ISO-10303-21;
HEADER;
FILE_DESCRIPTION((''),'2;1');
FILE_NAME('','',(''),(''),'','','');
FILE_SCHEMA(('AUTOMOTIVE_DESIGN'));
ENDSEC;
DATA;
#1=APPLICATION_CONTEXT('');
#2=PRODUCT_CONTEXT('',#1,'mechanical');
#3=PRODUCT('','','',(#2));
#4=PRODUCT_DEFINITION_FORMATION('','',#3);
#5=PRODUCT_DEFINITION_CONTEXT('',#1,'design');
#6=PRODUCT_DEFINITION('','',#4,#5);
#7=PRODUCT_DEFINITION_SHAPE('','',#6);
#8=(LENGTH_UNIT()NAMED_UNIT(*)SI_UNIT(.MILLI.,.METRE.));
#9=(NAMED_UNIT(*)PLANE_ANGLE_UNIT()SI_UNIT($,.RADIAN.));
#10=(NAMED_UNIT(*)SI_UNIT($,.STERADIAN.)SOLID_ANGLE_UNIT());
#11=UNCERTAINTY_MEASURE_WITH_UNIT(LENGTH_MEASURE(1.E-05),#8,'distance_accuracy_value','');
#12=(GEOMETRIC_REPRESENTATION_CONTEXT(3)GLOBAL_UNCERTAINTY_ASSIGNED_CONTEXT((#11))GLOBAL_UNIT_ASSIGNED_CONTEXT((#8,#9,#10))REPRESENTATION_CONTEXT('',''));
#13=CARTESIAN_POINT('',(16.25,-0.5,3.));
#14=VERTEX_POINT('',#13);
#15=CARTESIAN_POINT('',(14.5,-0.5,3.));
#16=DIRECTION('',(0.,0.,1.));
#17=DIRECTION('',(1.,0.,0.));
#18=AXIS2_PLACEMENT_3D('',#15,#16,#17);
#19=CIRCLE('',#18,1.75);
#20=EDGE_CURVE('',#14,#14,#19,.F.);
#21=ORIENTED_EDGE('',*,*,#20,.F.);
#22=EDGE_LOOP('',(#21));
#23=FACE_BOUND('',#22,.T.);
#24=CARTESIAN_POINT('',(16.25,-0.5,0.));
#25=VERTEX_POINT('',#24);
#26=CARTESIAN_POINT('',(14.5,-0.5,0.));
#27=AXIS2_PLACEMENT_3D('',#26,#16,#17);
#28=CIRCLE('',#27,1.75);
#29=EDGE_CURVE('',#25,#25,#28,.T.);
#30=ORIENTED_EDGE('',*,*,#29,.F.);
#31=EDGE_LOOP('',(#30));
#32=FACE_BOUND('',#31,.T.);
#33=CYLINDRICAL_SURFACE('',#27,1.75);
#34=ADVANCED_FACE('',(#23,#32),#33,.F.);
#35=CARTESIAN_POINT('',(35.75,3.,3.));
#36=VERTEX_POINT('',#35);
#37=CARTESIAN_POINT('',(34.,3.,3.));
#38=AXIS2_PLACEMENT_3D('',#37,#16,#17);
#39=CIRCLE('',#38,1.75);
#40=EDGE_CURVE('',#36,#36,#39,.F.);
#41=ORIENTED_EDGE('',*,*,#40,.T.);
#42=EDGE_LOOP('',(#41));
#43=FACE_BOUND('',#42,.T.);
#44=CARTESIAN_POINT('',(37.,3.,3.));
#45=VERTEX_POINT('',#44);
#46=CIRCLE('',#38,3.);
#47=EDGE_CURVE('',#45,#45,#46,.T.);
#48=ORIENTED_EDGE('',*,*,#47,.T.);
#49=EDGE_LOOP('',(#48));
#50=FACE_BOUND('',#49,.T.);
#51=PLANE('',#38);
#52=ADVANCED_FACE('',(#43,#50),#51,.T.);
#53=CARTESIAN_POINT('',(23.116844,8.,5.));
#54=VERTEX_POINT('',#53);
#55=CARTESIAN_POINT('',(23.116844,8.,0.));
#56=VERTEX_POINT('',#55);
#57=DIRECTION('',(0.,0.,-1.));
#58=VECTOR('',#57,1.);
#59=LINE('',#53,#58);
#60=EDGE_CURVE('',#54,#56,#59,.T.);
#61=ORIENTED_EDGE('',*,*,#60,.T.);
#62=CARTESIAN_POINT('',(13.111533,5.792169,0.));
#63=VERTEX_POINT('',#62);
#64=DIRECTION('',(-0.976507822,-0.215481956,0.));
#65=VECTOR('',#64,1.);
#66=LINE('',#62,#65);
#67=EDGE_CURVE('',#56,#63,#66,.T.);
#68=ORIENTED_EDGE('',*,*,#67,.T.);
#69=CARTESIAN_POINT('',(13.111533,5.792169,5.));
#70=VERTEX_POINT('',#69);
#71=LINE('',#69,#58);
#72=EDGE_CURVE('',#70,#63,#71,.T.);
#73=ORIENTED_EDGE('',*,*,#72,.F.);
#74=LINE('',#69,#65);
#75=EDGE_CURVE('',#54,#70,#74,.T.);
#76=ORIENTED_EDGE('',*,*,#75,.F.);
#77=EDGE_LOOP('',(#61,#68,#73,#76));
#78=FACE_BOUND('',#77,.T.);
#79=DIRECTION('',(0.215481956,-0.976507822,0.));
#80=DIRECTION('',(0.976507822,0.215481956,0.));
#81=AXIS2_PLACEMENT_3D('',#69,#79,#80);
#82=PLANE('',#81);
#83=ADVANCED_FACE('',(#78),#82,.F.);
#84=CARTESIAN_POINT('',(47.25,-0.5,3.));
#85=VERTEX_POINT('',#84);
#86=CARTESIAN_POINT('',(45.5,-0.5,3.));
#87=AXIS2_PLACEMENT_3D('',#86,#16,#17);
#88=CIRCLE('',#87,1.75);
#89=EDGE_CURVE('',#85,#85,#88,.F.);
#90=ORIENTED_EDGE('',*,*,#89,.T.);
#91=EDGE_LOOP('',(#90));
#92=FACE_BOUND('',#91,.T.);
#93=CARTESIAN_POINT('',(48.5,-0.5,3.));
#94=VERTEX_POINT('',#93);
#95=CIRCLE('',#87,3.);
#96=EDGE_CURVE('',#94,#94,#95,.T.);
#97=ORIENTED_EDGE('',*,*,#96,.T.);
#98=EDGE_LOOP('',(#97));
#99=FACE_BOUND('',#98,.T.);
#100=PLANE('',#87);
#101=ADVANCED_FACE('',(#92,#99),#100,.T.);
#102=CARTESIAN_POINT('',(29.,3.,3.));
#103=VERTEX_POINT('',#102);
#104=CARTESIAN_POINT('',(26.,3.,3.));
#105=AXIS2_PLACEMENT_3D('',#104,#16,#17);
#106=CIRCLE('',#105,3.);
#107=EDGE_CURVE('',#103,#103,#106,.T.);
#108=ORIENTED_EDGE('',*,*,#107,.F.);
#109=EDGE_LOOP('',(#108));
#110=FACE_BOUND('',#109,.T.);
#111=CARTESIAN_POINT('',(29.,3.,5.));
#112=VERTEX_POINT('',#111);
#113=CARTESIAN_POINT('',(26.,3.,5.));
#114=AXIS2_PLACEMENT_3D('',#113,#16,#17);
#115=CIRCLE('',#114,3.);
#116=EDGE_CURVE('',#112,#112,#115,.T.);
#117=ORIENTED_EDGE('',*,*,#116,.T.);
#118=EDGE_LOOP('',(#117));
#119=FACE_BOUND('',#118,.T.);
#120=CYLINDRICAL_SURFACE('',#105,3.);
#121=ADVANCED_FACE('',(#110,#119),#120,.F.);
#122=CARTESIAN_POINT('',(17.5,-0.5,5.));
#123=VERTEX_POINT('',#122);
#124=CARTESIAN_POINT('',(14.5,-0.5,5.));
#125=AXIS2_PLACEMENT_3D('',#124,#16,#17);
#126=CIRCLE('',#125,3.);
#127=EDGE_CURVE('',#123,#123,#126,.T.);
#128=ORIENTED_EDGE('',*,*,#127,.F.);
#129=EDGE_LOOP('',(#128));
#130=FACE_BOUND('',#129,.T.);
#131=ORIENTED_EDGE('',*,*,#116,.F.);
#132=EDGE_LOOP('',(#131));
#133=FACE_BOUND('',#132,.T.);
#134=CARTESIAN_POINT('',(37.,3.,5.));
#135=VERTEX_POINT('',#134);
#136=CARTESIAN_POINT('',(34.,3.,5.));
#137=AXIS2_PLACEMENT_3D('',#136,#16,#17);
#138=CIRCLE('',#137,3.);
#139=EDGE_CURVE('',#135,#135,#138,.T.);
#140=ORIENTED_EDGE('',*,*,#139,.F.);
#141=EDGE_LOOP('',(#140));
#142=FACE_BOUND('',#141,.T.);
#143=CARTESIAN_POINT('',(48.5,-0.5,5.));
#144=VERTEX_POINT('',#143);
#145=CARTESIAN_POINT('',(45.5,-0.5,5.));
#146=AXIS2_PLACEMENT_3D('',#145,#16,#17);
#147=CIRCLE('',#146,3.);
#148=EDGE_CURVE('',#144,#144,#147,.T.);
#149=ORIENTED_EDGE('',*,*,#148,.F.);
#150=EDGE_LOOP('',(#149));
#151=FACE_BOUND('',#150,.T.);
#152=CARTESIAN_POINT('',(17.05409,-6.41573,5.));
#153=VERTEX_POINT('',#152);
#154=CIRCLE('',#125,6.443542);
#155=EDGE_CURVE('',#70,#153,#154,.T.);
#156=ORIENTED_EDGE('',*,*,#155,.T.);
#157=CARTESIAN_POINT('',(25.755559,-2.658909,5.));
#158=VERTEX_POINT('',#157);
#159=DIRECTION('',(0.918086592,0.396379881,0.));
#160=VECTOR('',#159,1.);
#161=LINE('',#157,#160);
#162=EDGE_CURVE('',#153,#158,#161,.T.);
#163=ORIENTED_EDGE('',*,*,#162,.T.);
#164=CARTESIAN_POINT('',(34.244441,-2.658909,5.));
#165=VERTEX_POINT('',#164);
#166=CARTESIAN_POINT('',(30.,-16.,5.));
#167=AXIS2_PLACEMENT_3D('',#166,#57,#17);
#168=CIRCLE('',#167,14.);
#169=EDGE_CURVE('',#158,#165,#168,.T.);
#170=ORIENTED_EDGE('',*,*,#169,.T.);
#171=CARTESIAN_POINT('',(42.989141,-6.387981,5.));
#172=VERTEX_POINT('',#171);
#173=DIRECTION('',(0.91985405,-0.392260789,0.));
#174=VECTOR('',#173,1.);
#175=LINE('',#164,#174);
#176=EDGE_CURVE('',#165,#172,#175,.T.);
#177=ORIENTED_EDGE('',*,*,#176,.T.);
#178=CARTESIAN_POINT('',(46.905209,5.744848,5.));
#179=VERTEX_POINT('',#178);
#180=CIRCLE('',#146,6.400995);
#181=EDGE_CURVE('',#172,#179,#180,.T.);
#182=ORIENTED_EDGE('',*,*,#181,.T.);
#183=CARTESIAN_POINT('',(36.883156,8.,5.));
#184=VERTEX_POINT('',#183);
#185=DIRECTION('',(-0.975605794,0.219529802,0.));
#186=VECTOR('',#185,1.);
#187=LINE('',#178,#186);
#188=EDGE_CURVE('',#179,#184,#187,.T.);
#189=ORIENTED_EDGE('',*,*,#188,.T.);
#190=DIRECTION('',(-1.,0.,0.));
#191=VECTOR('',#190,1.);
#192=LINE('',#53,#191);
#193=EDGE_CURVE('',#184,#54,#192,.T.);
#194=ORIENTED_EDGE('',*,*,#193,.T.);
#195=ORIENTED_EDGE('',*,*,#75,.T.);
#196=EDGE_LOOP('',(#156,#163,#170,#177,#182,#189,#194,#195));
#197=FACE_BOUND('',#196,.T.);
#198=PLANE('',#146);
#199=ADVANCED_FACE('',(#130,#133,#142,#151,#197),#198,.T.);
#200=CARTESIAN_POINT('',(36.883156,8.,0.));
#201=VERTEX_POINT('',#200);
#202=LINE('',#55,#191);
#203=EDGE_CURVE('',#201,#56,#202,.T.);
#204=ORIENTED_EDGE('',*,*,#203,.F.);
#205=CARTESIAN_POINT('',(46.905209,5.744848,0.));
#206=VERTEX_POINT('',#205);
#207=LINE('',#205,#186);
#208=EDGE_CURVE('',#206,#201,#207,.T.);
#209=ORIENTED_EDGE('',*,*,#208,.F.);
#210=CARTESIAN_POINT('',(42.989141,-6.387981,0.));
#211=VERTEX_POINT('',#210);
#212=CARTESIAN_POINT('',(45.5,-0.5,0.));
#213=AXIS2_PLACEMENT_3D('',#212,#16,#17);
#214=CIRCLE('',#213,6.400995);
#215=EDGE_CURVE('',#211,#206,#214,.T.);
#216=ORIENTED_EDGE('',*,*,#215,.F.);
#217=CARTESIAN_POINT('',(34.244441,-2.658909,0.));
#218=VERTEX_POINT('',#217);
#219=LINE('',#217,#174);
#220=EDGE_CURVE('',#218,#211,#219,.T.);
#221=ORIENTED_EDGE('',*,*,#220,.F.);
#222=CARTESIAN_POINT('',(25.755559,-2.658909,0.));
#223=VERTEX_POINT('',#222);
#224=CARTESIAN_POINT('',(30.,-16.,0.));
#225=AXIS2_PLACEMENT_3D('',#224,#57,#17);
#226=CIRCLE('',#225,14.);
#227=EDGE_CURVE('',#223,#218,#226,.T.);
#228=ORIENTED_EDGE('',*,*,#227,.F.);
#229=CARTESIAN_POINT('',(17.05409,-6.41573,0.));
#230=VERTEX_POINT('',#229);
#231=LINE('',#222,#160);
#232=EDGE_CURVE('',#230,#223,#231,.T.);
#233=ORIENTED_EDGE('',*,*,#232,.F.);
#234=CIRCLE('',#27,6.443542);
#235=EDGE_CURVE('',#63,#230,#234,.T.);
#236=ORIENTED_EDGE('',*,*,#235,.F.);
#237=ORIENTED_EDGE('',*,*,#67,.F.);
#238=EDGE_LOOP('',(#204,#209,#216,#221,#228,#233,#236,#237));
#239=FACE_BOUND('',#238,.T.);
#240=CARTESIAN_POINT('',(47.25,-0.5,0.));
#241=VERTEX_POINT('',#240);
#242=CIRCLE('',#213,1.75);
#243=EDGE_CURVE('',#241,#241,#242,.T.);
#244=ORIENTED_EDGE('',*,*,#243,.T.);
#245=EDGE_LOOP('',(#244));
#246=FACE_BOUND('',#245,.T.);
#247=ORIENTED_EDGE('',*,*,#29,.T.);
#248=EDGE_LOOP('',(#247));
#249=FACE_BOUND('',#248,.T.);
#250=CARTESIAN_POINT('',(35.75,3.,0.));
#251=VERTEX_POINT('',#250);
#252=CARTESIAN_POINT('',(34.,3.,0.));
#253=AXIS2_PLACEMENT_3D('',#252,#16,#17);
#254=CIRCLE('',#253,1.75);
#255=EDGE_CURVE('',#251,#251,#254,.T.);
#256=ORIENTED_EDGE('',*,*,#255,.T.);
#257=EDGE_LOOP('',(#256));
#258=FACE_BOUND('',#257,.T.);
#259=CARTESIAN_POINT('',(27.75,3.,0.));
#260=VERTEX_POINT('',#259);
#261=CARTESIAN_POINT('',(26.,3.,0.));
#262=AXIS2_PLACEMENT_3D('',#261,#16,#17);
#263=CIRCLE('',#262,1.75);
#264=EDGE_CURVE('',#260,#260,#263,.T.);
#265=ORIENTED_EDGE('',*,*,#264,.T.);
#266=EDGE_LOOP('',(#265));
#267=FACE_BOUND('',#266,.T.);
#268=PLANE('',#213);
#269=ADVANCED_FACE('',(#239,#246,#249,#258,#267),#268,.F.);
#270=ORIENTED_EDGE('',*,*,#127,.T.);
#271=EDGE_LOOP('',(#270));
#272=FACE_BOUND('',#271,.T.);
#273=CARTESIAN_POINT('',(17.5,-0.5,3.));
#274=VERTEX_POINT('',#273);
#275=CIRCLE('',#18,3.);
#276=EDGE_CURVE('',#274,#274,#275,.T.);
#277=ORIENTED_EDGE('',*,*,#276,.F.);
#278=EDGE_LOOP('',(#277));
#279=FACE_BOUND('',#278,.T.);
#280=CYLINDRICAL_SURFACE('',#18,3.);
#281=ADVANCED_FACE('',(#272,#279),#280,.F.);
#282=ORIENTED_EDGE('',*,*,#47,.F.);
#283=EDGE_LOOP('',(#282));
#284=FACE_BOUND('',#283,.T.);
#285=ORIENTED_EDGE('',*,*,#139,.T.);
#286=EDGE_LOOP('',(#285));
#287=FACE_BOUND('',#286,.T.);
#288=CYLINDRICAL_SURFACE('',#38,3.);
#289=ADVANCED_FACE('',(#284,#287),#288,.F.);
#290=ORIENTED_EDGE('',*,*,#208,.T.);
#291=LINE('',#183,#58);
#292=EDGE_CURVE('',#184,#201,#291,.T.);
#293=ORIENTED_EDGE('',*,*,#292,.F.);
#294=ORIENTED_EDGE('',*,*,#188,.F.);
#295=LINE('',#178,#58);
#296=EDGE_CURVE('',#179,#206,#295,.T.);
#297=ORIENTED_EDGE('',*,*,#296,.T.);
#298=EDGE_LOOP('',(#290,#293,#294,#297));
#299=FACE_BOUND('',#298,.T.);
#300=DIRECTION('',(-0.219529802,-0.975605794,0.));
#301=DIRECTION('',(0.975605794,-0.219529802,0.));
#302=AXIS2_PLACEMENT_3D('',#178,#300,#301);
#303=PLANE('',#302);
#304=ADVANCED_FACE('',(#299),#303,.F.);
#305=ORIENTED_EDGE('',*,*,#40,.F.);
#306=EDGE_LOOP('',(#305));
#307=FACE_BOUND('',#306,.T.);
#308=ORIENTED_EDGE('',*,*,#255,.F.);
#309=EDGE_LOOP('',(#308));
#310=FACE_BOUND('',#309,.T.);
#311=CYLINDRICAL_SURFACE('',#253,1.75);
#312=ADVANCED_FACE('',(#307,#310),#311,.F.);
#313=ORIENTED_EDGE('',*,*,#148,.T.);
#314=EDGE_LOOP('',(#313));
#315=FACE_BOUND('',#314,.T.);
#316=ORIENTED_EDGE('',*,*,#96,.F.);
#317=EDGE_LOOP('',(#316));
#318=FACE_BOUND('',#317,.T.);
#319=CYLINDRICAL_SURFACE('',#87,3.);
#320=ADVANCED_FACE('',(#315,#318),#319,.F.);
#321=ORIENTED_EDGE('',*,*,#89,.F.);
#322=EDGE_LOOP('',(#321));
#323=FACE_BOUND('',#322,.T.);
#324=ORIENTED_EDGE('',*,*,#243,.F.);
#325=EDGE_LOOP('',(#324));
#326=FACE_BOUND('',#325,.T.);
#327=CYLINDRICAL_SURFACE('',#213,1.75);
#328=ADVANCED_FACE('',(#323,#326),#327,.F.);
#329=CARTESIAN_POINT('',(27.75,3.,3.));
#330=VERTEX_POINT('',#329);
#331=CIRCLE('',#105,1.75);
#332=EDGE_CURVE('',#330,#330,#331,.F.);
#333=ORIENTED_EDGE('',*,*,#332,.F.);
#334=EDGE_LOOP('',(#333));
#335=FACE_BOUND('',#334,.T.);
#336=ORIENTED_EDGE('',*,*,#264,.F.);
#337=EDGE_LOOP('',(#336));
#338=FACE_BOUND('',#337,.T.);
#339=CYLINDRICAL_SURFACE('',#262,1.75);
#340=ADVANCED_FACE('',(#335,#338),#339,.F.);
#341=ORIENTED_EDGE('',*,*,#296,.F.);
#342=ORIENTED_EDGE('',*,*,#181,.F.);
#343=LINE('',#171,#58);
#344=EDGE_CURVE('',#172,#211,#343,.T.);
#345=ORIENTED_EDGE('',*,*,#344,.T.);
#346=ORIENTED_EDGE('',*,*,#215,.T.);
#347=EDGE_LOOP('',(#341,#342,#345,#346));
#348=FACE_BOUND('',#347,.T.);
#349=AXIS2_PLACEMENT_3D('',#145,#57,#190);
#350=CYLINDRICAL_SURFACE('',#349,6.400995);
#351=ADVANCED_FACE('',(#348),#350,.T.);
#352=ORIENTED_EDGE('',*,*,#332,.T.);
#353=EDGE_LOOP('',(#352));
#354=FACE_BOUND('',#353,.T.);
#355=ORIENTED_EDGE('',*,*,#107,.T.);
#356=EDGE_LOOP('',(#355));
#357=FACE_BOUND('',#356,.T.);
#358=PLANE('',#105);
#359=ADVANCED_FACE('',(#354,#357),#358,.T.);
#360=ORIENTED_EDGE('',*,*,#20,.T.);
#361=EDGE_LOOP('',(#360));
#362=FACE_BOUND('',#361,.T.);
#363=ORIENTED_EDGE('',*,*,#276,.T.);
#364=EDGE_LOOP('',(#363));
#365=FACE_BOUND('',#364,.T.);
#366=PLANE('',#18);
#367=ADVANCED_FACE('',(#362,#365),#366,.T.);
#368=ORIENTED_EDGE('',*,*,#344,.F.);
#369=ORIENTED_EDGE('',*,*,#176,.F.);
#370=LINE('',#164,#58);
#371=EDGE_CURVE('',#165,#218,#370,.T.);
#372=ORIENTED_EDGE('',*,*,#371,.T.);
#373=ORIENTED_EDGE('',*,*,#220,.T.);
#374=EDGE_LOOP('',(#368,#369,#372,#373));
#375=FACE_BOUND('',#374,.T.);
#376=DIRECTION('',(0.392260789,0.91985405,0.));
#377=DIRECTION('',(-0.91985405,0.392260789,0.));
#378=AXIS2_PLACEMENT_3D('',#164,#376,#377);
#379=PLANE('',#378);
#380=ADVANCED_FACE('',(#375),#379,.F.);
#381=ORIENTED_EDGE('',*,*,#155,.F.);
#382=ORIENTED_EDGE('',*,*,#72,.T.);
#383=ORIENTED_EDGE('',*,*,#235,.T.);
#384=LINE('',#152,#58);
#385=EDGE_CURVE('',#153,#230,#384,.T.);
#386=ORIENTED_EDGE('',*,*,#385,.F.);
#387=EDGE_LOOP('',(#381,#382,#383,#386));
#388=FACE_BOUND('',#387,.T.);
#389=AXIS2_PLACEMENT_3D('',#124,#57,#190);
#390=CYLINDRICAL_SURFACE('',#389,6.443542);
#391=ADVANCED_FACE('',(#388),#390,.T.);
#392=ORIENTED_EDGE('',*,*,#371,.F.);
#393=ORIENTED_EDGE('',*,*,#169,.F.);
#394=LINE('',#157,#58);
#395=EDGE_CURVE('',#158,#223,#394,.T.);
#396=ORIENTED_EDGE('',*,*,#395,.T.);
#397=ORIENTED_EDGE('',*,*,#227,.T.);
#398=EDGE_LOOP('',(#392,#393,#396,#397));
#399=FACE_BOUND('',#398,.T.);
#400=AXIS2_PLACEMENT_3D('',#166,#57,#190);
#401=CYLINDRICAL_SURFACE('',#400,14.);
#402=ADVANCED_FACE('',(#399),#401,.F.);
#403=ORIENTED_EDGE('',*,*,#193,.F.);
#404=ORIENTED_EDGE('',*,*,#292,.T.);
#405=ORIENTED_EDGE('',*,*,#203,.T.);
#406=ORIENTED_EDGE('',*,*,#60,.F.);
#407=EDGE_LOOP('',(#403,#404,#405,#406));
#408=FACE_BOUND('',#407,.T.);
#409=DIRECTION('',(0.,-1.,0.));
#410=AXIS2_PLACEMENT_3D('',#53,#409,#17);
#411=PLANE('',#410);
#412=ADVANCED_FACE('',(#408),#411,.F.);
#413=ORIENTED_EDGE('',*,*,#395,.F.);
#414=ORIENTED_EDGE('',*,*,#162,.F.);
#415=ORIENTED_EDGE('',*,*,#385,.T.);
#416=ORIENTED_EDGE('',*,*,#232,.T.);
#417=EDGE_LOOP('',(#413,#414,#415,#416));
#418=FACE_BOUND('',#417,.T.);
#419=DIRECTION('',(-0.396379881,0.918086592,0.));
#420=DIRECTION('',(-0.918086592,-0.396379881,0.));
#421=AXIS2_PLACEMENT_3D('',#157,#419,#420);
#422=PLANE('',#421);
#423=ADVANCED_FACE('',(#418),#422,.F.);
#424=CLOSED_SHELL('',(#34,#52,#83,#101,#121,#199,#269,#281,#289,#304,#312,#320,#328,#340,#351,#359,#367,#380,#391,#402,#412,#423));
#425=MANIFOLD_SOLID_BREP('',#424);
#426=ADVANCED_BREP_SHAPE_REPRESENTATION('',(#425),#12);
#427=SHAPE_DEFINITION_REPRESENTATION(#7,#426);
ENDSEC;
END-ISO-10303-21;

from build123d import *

# Parameters (mm, degrees)
BOSS_EXTRUDE1_DEPTH     = 5
CUT_EXTRUDE1_DEPTH      = 53.75142939
CUT_EXTRUDE1_DEPTH_BACK = 53.75142939
SKETCH2_R               = 1.75
SKETCH5_R               = 3
CUT_EXTRUDE2_DEPTH      = 2


with BuildPart() as part:
    # Sketch1 → Boss-Extrude1 (new body)
    with BuildSketch(Plane.XY):
        with BuildLine():
            Line((23.11684397, 8), (36.88315603, 8))
            Line((36.88315603, 8), (46.90520921, 5.744848006))
            ThreePointArc((46.90520921, 5.744848006), (51.591551748, -2.466147717), (42.989140572, -6.387981358))
            Line((42.989140572, -6.387981358), (34.244441462, -2.658908715))
            ThreePointArc((34.244441462, -2.658908715), (30, -2), (25.755558538, -2.658908715))
            Line((25.755558538, -2.658908715), (17.05409045, -6.415729603))
            ThreePointArc((17.05409045, -6.415729603), (8.36828995, -2.480244081), (13.111532947, 5.792169261))
            Line((13.111532947, 5.792169261), (23.11684397, 8))
        make_face()
    extrude(amount=BOSS_EXTRUDE1_DEPTH)

    # Sketch2 → Cut-Extrude1 (cut, two sides: drawn at the far end of the back side and taken through both)
    with BuildSketch(Plane.XY.offset(5).offset(-CUT_EXTRUDE1_DEPTH_BACK)):
        with Locations((45.5, -0.5)):
            Circle(SKETCH2_R)
        with Locations((14.5, -0.5)):
            Circle(SKETCH2_R)
        with Locations((26, 3)):
            Circle(SKETCH2_R)
        with Locations((34, 3)):
            Circle(SKETCH2_R)
    extrude(amount=CUT_EXTRUDE1_DEPTH + CUT_EXTRUDE1_DEPTH_BACK, mode=Mode.SUBTRACT)

    # Sketch5 → Cut-Extrude2 (cut)
    with BuildSketch(Plane.XY.offset(5)):
        with Locations((26, 3)):
            Circle(SKETCH5_R)
        with Locations((34, 3)):
            Circle(SKETCH5_R)
        with Locations((45.5, -0.5)):
            Circle(SKETCH5_R)
        with Locations((14.5, -0.5)):
            Circle(SKETCH5_R)
    extrude(amount=-CUT_EXTRUDE2_DEPTH, mode=Mode.SUBTRACT)


solid = part.part
